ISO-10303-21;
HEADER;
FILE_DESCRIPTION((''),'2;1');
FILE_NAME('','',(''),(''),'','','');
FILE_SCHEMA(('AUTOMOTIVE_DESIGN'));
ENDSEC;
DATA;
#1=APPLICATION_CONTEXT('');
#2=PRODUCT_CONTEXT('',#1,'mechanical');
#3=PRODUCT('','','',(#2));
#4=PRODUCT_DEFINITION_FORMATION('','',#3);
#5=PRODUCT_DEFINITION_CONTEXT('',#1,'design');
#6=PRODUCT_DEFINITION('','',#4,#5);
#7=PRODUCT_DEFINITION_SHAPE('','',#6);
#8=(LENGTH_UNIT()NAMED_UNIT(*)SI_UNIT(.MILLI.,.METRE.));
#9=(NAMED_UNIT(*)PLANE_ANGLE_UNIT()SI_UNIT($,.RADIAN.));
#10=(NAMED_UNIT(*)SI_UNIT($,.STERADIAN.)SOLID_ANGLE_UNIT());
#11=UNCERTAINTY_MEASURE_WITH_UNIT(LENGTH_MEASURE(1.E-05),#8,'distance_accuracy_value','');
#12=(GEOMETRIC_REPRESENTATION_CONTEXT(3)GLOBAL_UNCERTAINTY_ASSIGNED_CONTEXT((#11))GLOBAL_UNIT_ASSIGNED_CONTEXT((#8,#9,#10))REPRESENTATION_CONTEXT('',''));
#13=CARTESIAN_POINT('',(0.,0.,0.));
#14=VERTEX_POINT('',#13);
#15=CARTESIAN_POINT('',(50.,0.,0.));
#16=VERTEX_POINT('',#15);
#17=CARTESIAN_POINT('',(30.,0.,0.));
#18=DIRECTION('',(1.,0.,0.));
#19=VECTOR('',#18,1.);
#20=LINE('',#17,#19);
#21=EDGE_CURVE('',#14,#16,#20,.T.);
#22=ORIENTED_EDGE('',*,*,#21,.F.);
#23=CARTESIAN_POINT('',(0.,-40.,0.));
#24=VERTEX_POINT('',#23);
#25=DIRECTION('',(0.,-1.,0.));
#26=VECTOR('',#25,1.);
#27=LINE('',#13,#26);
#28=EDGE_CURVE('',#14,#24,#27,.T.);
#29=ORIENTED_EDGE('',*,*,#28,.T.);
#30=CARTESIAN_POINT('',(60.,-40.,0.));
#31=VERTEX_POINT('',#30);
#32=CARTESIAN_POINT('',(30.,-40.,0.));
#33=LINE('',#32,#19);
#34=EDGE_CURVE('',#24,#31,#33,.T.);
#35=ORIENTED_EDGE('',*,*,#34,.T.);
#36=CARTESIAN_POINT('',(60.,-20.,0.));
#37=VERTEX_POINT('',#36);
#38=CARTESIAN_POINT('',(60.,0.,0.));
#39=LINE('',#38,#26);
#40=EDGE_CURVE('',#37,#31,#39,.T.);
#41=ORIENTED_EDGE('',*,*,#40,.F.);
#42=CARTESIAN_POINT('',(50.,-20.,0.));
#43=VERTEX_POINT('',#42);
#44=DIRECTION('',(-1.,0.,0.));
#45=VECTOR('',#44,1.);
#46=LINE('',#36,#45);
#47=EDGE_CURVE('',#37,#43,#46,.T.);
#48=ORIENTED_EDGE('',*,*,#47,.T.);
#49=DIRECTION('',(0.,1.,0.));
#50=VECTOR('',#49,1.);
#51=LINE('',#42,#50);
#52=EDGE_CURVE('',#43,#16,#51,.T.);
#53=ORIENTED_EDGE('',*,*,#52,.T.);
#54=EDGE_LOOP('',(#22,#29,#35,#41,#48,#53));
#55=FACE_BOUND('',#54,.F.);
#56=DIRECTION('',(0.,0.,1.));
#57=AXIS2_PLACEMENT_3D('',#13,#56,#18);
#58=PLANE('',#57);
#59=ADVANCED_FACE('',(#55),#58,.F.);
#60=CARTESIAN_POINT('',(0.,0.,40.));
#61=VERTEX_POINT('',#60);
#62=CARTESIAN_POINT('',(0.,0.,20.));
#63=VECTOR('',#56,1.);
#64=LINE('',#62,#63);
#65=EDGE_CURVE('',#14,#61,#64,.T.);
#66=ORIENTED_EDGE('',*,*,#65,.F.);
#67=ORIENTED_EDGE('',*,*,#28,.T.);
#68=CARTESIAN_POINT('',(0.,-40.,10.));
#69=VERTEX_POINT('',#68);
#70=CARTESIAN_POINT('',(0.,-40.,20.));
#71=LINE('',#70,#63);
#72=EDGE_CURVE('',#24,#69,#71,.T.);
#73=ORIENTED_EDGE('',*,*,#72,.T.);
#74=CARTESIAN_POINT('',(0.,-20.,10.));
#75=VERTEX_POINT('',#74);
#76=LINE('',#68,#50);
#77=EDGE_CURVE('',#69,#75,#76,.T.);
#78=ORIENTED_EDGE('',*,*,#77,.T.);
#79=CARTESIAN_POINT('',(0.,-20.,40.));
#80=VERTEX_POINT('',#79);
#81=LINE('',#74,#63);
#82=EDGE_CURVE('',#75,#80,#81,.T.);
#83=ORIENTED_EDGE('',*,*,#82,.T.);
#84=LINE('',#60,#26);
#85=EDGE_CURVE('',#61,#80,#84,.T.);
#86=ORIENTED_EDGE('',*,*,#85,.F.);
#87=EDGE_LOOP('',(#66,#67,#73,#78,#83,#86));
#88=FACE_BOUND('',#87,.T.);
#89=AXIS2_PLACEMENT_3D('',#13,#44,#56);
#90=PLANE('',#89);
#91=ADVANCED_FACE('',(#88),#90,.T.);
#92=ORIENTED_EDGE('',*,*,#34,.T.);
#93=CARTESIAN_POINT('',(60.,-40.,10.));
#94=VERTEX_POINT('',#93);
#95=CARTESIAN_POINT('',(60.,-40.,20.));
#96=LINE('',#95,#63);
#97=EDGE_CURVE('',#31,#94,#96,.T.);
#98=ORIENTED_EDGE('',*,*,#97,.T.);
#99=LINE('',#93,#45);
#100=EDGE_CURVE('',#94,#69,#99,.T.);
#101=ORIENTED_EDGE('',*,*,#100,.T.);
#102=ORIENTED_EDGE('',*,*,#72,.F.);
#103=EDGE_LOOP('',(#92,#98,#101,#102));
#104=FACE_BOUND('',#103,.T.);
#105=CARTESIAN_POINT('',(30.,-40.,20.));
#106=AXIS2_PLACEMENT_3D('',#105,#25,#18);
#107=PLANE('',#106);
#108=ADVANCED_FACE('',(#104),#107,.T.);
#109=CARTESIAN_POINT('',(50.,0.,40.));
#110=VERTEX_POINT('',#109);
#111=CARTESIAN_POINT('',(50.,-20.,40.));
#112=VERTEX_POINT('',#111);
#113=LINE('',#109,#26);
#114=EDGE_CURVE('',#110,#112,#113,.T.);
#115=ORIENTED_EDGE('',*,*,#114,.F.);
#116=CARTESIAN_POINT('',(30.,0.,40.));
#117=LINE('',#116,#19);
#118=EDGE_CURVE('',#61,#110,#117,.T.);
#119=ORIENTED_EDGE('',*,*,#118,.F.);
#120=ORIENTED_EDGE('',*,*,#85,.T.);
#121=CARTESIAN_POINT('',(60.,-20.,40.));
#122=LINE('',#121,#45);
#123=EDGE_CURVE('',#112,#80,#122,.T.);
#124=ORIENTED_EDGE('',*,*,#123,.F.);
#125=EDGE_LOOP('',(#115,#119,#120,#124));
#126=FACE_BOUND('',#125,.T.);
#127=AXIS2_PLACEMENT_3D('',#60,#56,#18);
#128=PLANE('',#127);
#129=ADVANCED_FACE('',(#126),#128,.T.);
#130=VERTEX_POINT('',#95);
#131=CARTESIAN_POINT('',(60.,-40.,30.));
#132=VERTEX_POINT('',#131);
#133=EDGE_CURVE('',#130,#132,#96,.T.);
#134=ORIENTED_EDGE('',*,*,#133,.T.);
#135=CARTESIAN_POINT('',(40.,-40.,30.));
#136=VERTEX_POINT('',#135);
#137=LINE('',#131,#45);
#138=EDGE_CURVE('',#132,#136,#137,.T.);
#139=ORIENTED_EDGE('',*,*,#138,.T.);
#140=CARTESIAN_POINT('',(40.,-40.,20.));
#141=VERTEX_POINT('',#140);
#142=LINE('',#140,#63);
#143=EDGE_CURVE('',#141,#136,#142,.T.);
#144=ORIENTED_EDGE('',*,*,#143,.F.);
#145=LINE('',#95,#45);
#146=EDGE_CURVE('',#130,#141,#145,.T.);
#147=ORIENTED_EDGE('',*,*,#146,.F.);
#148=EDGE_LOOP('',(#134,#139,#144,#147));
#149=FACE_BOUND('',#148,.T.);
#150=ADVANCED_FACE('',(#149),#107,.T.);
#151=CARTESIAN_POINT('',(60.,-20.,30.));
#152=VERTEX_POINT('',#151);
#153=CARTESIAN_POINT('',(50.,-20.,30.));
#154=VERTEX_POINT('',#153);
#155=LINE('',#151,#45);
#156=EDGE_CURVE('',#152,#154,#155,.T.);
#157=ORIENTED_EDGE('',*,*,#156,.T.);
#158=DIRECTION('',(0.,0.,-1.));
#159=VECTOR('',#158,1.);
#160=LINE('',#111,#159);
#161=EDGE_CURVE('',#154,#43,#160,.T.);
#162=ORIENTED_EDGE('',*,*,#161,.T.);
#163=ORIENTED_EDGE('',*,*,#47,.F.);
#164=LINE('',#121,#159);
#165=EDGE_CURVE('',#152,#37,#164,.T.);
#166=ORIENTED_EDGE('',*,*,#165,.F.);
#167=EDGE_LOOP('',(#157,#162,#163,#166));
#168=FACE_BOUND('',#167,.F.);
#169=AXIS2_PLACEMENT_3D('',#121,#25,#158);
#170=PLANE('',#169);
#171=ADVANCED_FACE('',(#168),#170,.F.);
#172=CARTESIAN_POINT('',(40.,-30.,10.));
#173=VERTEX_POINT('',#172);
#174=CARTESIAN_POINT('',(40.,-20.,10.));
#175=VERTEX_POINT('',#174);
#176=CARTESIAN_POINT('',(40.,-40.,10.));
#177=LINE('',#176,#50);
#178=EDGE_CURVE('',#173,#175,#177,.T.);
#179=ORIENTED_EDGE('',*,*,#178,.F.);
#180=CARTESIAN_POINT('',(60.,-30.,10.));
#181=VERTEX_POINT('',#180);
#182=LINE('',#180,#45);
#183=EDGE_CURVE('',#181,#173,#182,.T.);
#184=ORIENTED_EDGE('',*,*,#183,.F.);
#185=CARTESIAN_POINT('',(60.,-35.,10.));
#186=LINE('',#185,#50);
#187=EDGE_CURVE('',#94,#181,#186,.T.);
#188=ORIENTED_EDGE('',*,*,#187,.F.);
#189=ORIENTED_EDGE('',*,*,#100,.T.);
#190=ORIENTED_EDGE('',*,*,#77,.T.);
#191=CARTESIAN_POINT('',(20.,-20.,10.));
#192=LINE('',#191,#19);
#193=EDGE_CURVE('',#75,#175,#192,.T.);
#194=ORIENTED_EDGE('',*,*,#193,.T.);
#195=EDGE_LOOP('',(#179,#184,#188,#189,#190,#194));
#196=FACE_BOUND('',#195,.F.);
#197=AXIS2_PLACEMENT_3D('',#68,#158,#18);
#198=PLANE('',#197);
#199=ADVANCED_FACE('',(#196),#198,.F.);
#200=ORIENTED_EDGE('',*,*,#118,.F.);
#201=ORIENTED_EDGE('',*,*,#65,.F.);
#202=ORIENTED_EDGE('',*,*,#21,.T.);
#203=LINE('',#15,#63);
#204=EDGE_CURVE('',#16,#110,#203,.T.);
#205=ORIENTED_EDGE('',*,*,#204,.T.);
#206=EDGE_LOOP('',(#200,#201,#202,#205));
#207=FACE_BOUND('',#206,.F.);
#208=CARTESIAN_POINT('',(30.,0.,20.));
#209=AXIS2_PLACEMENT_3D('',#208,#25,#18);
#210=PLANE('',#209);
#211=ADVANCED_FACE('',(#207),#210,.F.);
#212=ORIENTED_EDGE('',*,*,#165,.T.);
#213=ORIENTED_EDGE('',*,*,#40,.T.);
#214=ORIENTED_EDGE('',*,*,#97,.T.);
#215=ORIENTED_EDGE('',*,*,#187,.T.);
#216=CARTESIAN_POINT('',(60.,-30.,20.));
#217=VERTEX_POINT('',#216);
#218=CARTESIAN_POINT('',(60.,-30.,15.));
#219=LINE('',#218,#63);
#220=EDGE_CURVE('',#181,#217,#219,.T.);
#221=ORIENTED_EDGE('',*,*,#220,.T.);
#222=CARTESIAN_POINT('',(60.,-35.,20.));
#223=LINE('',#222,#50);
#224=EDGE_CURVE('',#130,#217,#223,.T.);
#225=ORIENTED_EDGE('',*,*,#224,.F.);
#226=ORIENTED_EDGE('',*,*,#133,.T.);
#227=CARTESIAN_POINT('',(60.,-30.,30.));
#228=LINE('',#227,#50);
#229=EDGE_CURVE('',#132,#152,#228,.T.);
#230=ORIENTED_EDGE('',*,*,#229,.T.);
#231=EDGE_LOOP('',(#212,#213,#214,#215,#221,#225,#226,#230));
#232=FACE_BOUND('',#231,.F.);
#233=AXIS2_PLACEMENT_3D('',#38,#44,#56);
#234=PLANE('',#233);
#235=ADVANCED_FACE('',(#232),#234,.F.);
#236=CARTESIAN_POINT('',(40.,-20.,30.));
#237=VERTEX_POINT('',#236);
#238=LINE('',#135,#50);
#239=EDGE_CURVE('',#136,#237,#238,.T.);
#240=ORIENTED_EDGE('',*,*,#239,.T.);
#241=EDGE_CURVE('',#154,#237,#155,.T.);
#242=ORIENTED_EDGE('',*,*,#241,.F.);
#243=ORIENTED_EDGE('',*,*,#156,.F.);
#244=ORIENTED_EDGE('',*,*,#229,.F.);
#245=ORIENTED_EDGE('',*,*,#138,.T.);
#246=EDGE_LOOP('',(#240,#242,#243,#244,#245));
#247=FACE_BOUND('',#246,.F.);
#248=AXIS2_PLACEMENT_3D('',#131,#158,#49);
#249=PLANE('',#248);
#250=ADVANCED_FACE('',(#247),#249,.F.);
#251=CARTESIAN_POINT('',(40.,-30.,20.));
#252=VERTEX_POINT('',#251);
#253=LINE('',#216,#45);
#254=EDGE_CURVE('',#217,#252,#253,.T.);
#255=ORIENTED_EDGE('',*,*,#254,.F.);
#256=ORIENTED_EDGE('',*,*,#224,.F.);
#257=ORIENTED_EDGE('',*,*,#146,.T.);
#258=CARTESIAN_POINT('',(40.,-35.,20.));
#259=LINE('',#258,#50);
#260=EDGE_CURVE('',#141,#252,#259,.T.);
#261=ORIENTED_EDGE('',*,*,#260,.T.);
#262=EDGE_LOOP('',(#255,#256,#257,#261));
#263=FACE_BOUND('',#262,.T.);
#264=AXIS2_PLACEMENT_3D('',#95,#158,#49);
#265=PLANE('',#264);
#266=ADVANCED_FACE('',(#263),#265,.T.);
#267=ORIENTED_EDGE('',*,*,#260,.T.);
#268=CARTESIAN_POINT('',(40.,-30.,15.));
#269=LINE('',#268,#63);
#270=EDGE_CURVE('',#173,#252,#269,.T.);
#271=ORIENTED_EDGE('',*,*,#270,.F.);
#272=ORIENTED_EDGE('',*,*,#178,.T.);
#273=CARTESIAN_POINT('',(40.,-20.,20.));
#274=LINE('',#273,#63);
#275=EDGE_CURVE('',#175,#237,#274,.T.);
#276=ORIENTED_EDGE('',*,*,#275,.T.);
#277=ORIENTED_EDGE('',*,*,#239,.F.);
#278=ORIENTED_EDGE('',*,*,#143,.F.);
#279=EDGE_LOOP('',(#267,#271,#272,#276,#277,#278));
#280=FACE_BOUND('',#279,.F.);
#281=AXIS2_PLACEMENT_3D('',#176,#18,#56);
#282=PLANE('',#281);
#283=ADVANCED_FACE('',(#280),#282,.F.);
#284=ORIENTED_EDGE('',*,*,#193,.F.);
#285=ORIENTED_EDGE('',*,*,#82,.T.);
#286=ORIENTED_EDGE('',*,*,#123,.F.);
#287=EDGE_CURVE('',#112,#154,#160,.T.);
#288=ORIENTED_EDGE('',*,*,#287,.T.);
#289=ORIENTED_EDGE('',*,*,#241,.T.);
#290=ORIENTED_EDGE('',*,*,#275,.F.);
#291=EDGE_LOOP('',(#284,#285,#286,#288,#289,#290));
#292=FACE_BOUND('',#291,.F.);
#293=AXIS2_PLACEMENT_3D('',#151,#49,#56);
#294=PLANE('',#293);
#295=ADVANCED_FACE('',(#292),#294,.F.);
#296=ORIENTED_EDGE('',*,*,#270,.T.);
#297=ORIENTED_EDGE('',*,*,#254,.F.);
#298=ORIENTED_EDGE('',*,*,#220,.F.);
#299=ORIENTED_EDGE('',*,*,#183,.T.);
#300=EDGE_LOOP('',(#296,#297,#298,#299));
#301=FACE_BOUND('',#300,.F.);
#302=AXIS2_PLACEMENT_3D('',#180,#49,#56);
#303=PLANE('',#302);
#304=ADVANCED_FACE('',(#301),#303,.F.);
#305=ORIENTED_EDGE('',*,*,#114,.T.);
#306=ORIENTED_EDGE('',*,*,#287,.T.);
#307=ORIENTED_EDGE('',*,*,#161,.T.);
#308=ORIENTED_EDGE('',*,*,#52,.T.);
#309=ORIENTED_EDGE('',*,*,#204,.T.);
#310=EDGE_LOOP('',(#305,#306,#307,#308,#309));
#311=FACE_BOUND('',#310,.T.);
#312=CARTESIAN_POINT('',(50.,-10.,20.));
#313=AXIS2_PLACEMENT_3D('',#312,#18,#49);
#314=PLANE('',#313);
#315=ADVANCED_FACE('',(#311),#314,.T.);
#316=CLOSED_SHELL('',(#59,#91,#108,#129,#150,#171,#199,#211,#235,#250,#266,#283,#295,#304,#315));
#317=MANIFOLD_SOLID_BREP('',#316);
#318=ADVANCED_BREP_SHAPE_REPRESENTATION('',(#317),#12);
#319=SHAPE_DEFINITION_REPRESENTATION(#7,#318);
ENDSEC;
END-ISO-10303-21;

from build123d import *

# Parameters (mm, degrees)
F0_W     = 60
F0_H     = 40
F1_DEPTH = 40
F2_W     = 20
F2_H     = 10
F3_DEPTH = 60
F4_DEPTH = 10
F5_W     = 40
F5_H     = 20
F6_DEPTH = 20
F7_W     = 10
F7_H     = 10
F8_DEPTH = 20


with BuildPart() as f1:
    # F0 (on Front) → F1 (new body)
    with BuildSketch(Plane.XZ):
        with Locations((30, 20)):
            Rectangle(F0_W, F0_H)
    extrude(amount=F1_DEPTH)

    # F2 (on face) → F3 (cut)
    with BuildSketch(Plane.YZ.offset(60)):
        with Locations((-30, 35)):
            Rectangle(F2_W, F2_H)
    extrude(amount=-F3_DEPTH, mode=Mode.SUBTRACT)

    # F2 (on face) → F4 (cut)
    with BuildSketch(Plane.YZ.offset(60)):
        Polygon((-20, 0), (0, 0), (0, 40), (-20, 40), (-20, 30), align=None)
    extrude(amount=-F4_DEPTH, mode=Mode.SUBTRACT)

    # F5 (on face) → F6 (cut)
    with BuildSketch(Plane.XZ.offset(40)):
        with Locations((20, 20)):
            Rectangle(F5_W, F5_H)
    extrude(amount=-F6_DEPTH, mode=Mode.SUBTRACT)

    # F7 (on face) → F8 (cut)
    with BuildSketch(Plane.YZ.offset(60)):
        with Locations((-35, 15)):
            Rectangle(F7_W, F7_H)
    extrude(amount=-F8_DEPTH, mode=Mode.SUBTRACT)


solid = f1.part
